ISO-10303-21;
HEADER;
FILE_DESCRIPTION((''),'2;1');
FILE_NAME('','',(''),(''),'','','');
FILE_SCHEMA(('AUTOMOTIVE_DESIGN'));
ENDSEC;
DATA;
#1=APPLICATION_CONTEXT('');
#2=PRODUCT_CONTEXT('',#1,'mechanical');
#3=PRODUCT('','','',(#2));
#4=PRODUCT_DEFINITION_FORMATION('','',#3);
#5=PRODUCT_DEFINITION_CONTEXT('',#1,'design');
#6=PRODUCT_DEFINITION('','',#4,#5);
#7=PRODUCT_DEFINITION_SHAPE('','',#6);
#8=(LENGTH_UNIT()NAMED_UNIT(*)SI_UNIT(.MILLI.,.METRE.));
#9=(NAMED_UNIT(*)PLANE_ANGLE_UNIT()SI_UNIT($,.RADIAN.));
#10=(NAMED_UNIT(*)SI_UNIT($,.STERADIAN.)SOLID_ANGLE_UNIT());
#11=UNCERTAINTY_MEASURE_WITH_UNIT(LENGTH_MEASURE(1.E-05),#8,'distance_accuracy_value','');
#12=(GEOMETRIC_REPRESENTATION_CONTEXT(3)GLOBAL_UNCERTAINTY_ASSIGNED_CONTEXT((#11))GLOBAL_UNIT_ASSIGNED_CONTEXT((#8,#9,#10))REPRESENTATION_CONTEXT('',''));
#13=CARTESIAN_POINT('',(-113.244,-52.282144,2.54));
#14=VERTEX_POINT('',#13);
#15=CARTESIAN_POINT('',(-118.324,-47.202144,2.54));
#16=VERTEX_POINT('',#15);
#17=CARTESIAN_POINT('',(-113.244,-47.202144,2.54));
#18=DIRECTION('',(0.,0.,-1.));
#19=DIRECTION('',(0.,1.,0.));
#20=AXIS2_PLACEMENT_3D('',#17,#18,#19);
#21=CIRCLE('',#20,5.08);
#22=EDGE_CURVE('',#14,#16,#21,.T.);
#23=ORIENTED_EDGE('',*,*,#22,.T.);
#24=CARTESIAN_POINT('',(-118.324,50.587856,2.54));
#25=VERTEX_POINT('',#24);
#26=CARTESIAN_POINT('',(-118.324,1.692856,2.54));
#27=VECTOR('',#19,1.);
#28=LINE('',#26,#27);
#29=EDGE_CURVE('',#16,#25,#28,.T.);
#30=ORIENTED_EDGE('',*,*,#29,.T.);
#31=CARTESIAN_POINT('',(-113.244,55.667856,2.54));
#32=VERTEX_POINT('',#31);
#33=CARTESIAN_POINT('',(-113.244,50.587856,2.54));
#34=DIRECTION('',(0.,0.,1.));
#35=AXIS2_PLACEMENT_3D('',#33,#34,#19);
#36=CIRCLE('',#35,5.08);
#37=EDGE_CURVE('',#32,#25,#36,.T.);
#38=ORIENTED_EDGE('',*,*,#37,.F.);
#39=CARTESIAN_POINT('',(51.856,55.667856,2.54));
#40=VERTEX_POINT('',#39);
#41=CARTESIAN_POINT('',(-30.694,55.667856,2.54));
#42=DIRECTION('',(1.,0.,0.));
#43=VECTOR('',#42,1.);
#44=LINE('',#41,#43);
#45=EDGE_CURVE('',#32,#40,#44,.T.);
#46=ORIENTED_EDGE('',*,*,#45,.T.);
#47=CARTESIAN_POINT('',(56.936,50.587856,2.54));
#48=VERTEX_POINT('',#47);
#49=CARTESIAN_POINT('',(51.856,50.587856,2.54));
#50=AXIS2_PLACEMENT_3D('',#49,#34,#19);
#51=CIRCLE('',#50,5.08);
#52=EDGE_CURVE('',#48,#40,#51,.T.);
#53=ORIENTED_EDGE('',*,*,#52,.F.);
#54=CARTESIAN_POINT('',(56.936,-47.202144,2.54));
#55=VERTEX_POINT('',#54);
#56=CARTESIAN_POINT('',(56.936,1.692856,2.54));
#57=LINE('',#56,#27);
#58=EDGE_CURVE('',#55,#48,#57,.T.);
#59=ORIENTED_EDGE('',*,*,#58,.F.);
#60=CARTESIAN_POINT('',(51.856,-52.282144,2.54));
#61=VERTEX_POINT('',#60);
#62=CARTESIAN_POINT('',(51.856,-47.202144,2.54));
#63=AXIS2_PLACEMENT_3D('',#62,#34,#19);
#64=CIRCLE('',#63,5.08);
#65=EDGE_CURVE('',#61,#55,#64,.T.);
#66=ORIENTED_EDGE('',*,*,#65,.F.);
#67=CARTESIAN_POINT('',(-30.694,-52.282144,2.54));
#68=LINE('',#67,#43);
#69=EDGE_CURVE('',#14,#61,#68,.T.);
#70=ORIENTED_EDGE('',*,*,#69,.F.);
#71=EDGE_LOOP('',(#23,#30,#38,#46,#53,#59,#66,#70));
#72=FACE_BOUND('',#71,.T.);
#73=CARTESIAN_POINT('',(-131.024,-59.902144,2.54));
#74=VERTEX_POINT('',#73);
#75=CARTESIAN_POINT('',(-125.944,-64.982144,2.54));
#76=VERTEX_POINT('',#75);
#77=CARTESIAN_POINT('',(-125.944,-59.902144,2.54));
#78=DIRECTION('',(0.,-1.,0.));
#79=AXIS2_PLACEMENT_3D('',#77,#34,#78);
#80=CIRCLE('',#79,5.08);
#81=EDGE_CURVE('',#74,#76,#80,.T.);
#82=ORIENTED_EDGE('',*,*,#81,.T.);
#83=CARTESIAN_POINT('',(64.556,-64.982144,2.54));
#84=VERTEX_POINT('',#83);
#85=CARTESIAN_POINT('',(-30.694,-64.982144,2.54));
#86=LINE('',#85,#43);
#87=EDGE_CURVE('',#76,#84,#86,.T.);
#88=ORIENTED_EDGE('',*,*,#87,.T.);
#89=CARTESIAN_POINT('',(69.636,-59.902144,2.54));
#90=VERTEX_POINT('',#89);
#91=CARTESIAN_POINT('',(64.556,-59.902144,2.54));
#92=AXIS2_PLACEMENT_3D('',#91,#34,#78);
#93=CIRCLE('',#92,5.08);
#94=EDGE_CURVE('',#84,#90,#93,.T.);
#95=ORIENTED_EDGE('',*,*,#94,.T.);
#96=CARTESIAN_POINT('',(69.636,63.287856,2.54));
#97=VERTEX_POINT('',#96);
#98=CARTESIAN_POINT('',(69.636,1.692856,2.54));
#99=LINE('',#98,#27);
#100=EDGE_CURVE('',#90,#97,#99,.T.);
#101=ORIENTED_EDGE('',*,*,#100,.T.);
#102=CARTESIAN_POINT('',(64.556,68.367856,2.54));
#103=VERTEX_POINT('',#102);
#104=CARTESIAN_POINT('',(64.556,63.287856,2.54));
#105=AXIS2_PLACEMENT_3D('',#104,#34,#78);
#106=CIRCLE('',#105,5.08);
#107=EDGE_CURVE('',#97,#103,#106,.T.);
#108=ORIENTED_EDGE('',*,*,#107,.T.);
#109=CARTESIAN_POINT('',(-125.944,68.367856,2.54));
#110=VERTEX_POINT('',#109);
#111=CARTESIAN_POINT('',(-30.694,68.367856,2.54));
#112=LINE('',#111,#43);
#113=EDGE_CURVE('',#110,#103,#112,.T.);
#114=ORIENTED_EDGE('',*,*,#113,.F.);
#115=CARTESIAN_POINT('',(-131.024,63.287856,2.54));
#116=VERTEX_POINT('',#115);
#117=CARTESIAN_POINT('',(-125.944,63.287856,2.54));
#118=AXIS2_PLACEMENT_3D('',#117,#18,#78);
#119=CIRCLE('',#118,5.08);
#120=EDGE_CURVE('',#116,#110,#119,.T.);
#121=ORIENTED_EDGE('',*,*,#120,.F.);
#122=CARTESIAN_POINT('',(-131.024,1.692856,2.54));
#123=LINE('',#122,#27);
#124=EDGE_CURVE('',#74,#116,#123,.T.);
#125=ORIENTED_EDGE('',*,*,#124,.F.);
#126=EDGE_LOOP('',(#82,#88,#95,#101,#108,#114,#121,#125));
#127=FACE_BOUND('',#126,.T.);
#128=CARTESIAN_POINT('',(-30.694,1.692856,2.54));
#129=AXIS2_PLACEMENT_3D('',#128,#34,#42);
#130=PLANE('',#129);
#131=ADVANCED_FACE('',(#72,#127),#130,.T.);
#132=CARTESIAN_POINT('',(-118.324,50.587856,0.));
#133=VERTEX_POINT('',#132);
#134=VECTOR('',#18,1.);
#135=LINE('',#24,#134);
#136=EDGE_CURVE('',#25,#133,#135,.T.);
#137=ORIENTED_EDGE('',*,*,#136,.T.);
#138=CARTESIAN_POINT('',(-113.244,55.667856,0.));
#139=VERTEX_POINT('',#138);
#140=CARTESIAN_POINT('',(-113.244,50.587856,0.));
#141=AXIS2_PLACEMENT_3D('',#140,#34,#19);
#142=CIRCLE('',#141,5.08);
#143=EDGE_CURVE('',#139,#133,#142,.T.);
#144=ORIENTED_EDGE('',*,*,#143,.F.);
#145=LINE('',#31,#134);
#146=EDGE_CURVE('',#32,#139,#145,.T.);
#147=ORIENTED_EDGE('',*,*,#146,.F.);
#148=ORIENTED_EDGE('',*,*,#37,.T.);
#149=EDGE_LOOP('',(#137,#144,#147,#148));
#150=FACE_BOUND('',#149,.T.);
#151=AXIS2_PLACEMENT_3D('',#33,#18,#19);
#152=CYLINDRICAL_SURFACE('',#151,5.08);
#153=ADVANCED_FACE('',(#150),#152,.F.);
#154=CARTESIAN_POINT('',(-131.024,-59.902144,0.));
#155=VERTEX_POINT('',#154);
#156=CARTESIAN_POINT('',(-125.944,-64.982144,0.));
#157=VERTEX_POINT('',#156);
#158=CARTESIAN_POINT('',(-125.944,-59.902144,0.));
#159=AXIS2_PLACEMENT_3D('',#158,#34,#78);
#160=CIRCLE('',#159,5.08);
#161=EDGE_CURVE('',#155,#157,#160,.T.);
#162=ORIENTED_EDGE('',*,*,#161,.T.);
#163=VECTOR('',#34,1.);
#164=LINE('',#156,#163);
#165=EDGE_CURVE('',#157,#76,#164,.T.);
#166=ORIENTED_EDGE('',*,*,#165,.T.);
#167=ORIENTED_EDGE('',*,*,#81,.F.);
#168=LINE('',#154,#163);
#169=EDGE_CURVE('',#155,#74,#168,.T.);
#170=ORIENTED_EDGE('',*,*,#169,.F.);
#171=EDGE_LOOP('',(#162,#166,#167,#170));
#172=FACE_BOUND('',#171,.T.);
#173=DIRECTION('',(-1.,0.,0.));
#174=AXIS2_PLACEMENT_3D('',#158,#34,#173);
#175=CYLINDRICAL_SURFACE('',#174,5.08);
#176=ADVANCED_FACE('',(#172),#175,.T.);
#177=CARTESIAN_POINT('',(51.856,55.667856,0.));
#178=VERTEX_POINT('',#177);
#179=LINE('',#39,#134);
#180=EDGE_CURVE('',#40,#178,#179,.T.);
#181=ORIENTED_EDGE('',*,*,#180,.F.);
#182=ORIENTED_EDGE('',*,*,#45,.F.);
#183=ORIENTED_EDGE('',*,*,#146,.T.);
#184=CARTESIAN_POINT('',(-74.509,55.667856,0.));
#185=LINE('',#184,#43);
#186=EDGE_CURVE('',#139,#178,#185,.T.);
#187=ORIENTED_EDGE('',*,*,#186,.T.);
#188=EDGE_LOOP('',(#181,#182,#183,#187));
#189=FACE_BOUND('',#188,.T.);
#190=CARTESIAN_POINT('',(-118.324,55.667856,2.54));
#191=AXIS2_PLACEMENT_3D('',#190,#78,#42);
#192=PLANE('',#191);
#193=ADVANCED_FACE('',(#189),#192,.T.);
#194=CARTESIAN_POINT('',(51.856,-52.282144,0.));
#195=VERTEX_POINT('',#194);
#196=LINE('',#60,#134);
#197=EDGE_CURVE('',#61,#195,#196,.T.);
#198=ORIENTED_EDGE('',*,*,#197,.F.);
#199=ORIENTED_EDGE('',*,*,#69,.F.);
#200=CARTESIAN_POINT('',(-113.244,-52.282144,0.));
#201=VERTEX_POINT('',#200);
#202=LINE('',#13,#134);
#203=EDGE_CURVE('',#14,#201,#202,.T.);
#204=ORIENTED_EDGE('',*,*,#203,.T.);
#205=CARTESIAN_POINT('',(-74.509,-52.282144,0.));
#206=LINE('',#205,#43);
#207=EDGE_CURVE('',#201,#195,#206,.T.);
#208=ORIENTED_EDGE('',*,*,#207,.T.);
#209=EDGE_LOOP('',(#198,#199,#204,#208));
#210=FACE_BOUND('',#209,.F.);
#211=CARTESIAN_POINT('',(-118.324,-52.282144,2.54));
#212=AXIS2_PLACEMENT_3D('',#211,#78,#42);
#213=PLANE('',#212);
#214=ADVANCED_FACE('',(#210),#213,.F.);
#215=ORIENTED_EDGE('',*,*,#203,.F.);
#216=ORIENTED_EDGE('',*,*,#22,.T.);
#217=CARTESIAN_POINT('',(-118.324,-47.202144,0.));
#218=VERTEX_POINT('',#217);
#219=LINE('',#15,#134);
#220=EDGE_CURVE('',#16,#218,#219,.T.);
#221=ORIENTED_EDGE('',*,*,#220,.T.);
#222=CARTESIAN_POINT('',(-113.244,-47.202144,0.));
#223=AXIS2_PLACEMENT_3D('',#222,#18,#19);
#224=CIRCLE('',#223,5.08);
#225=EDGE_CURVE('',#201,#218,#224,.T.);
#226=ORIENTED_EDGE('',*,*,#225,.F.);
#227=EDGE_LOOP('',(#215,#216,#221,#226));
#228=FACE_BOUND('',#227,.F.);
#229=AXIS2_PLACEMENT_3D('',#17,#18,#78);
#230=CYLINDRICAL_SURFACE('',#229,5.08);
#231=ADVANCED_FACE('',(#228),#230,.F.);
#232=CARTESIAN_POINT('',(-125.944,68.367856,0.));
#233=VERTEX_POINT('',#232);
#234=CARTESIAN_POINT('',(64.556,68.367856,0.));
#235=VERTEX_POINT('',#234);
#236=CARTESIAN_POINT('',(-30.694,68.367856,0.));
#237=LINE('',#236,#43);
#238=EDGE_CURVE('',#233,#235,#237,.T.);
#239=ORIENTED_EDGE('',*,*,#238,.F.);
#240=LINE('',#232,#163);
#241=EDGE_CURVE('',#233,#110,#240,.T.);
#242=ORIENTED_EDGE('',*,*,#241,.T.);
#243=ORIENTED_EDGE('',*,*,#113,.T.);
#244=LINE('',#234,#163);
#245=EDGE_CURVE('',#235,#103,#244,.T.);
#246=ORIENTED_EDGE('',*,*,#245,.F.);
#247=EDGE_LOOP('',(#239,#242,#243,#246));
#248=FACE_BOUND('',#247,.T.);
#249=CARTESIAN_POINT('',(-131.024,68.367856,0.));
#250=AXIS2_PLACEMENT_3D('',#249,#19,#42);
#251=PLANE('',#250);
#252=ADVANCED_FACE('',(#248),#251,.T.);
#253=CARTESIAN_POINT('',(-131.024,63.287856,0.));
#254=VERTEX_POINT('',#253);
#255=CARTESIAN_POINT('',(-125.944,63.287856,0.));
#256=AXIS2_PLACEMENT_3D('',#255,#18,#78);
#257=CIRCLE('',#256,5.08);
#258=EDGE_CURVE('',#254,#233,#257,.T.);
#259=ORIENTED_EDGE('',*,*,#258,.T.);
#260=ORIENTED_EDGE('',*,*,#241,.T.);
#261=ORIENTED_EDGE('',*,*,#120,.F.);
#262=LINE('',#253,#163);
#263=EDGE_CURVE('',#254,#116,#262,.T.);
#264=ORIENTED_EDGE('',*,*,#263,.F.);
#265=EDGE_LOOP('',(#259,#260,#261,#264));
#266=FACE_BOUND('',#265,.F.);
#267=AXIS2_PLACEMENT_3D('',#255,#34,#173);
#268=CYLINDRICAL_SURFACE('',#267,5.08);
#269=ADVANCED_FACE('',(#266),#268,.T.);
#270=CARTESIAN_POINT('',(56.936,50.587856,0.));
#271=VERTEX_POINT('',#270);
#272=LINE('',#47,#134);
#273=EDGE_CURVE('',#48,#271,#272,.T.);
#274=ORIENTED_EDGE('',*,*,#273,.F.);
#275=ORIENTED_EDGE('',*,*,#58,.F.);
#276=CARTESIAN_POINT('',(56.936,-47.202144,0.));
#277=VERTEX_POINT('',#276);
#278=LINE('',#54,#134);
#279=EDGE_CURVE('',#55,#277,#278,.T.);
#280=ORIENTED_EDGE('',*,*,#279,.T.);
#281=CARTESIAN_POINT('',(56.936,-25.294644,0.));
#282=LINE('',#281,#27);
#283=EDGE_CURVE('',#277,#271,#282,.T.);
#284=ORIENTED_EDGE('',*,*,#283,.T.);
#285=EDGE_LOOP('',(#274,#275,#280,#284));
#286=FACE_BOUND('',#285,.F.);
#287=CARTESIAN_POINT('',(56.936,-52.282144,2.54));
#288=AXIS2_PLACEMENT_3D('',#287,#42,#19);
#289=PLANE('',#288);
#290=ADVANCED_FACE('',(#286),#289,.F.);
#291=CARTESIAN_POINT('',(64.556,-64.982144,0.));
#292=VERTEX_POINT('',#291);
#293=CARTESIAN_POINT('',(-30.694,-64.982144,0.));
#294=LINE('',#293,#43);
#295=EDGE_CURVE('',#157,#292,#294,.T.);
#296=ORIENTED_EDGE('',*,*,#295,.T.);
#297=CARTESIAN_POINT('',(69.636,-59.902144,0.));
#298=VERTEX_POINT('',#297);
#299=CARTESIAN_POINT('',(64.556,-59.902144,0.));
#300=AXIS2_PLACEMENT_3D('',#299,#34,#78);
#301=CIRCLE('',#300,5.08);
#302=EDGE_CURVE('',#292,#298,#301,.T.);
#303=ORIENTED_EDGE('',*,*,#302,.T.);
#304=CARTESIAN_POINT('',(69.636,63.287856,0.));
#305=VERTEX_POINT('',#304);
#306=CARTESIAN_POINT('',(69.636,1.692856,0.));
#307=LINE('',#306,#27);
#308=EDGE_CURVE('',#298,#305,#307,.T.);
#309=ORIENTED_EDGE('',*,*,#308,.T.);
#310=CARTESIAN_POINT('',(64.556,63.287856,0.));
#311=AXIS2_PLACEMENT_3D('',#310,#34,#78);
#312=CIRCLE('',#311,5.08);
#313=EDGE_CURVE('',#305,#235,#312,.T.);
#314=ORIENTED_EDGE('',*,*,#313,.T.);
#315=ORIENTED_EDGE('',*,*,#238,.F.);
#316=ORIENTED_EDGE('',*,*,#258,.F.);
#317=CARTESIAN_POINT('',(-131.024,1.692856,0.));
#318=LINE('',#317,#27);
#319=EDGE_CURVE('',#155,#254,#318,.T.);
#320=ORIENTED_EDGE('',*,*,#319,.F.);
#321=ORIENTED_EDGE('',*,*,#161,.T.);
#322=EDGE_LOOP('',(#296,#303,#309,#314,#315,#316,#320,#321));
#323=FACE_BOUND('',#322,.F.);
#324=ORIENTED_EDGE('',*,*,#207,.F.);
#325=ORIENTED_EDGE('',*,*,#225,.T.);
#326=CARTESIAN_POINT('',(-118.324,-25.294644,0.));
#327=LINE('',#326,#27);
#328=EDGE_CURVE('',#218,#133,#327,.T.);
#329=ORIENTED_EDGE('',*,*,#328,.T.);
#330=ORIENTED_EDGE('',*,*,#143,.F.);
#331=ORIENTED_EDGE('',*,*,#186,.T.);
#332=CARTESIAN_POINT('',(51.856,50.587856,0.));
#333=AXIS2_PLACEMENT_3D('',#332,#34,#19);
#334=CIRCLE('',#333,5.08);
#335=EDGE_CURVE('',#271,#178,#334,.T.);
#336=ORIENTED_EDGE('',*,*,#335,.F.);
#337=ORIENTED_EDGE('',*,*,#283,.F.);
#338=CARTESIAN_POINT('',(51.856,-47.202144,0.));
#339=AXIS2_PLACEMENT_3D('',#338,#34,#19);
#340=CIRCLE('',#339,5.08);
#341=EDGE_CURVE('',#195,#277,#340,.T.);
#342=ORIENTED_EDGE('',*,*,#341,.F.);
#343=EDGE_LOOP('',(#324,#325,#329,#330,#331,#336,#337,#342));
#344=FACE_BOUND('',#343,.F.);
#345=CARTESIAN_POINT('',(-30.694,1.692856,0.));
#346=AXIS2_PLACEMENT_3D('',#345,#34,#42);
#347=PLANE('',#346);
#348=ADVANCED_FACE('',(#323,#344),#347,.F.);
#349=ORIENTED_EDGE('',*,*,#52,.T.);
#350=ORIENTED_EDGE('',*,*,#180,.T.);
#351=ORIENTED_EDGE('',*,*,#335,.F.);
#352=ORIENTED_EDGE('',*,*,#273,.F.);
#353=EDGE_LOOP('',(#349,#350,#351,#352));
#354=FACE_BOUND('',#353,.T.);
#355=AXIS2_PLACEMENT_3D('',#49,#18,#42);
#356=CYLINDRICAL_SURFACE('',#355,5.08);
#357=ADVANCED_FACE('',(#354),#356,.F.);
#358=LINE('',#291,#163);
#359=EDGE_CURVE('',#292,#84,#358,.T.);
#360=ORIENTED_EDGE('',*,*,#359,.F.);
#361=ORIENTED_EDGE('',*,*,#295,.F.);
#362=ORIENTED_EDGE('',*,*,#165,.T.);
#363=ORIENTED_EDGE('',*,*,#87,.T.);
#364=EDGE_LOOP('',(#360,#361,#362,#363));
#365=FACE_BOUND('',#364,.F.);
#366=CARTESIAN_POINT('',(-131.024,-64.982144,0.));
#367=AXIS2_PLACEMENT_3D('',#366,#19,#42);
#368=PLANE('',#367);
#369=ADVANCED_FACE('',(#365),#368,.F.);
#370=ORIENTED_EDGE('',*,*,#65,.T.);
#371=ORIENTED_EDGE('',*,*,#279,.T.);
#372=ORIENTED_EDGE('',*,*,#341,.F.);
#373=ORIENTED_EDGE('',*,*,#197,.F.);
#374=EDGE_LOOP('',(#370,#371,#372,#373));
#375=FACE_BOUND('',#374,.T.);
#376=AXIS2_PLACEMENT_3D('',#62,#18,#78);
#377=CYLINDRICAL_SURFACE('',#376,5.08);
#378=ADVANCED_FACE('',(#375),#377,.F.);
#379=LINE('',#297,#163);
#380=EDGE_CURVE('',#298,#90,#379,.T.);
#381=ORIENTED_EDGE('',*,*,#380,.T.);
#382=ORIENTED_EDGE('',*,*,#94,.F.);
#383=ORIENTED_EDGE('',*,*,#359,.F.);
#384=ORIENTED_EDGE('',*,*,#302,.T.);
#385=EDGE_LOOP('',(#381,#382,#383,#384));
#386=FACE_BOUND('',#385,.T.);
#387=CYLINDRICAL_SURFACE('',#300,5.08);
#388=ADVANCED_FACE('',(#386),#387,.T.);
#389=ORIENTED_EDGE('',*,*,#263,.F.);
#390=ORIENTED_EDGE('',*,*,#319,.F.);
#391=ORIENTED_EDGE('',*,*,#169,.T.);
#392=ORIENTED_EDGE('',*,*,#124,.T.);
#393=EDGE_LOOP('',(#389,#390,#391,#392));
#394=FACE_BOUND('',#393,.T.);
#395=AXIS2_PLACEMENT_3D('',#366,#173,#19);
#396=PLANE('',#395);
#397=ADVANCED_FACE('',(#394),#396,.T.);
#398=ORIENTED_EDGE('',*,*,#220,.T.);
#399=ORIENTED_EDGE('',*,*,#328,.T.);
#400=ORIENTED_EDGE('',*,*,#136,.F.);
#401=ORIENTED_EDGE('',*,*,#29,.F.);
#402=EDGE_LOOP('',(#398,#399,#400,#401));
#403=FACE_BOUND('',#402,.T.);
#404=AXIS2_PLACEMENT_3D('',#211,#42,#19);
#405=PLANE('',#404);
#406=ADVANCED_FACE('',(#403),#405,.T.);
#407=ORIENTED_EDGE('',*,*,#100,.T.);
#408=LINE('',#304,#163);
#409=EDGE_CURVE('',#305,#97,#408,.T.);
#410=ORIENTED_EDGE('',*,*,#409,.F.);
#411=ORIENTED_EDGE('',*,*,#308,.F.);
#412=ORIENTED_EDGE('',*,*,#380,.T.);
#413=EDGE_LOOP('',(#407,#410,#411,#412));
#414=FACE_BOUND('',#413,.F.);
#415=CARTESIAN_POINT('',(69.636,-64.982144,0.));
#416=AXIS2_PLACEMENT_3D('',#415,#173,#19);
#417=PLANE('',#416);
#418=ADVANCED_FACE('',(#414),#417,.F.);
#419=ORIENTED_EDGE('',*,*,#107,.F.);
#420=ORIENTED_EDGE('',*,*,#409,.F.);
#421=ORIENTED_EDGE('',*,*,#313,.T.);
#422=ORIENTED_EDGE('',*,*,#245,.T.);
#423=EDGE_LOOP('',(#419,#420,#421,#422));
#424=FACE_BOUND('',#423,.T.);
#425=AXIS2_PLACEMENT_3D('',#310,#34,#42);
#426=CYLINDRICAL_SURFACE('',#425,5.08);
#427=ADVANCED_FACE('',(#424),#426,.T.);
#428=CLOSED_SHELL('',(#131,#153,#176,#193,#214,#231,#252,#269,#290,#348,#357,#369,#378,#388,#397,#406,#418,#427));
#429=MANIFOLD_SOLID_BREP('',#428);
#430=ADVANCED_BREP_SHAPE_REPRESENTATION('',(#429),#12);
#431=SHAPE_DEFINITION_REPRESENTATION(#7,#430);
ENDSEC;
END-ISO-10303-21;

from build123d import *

# Parameters (mm, degrees)
F0_W     = 200.66
F0_H     = 133.35
F1_DEPTH = 2.54
F2_R     = 5.08
F3_W     = 175.26
F3_H     = 107.95
F4_DEPTH = 5.08
F5_R     = 5.08


with BuildPart() as f1:
    # F0 (on Top) → F1 (new body)
    with BuildSketch(Plane.XY):
        with Locations((-30.6939995439, 1.6928559164)):
            Rectangle(F0_W, F0_H)
    extrude(amount=F1_DEPTH)

    # F2
    f2_edges = [f1.edges().sort_by_distance(p)[0] for p in [
        (69.636, -64.982144, 1.27),
        (69.636, 68.367856, 1.27),
        (-131.024, -64.982144, 1.27),
        (-131.024, 68.367856, 1.27),
    ]]
    fillet(f2_edges, radius=F2_R)

    # F3 (on face) → F4 (cut)
    with BuildSketch(Plane.XY.offset(2.54)):
        with Locations((-30.6939995439, 1.6928559164)):
            Rectangle(F3_W, F3_H)
    extrude(amount=-F4_DEPTH, mode=Mode.SUBTRACT)

    # F5
    f5_edges = [f1.edges().sort_by_distance(p)[0] for p in [
        (-118.324, -52.282144, 1.27),
        (56.936, -52.282144, 1.27),
        (56.936, 55.667856, 1.27),
        (-118.324, 55.667856, 1.27),
    ]]
    fillet(f5_edges, radius=F5_R)


solid = f1.part
